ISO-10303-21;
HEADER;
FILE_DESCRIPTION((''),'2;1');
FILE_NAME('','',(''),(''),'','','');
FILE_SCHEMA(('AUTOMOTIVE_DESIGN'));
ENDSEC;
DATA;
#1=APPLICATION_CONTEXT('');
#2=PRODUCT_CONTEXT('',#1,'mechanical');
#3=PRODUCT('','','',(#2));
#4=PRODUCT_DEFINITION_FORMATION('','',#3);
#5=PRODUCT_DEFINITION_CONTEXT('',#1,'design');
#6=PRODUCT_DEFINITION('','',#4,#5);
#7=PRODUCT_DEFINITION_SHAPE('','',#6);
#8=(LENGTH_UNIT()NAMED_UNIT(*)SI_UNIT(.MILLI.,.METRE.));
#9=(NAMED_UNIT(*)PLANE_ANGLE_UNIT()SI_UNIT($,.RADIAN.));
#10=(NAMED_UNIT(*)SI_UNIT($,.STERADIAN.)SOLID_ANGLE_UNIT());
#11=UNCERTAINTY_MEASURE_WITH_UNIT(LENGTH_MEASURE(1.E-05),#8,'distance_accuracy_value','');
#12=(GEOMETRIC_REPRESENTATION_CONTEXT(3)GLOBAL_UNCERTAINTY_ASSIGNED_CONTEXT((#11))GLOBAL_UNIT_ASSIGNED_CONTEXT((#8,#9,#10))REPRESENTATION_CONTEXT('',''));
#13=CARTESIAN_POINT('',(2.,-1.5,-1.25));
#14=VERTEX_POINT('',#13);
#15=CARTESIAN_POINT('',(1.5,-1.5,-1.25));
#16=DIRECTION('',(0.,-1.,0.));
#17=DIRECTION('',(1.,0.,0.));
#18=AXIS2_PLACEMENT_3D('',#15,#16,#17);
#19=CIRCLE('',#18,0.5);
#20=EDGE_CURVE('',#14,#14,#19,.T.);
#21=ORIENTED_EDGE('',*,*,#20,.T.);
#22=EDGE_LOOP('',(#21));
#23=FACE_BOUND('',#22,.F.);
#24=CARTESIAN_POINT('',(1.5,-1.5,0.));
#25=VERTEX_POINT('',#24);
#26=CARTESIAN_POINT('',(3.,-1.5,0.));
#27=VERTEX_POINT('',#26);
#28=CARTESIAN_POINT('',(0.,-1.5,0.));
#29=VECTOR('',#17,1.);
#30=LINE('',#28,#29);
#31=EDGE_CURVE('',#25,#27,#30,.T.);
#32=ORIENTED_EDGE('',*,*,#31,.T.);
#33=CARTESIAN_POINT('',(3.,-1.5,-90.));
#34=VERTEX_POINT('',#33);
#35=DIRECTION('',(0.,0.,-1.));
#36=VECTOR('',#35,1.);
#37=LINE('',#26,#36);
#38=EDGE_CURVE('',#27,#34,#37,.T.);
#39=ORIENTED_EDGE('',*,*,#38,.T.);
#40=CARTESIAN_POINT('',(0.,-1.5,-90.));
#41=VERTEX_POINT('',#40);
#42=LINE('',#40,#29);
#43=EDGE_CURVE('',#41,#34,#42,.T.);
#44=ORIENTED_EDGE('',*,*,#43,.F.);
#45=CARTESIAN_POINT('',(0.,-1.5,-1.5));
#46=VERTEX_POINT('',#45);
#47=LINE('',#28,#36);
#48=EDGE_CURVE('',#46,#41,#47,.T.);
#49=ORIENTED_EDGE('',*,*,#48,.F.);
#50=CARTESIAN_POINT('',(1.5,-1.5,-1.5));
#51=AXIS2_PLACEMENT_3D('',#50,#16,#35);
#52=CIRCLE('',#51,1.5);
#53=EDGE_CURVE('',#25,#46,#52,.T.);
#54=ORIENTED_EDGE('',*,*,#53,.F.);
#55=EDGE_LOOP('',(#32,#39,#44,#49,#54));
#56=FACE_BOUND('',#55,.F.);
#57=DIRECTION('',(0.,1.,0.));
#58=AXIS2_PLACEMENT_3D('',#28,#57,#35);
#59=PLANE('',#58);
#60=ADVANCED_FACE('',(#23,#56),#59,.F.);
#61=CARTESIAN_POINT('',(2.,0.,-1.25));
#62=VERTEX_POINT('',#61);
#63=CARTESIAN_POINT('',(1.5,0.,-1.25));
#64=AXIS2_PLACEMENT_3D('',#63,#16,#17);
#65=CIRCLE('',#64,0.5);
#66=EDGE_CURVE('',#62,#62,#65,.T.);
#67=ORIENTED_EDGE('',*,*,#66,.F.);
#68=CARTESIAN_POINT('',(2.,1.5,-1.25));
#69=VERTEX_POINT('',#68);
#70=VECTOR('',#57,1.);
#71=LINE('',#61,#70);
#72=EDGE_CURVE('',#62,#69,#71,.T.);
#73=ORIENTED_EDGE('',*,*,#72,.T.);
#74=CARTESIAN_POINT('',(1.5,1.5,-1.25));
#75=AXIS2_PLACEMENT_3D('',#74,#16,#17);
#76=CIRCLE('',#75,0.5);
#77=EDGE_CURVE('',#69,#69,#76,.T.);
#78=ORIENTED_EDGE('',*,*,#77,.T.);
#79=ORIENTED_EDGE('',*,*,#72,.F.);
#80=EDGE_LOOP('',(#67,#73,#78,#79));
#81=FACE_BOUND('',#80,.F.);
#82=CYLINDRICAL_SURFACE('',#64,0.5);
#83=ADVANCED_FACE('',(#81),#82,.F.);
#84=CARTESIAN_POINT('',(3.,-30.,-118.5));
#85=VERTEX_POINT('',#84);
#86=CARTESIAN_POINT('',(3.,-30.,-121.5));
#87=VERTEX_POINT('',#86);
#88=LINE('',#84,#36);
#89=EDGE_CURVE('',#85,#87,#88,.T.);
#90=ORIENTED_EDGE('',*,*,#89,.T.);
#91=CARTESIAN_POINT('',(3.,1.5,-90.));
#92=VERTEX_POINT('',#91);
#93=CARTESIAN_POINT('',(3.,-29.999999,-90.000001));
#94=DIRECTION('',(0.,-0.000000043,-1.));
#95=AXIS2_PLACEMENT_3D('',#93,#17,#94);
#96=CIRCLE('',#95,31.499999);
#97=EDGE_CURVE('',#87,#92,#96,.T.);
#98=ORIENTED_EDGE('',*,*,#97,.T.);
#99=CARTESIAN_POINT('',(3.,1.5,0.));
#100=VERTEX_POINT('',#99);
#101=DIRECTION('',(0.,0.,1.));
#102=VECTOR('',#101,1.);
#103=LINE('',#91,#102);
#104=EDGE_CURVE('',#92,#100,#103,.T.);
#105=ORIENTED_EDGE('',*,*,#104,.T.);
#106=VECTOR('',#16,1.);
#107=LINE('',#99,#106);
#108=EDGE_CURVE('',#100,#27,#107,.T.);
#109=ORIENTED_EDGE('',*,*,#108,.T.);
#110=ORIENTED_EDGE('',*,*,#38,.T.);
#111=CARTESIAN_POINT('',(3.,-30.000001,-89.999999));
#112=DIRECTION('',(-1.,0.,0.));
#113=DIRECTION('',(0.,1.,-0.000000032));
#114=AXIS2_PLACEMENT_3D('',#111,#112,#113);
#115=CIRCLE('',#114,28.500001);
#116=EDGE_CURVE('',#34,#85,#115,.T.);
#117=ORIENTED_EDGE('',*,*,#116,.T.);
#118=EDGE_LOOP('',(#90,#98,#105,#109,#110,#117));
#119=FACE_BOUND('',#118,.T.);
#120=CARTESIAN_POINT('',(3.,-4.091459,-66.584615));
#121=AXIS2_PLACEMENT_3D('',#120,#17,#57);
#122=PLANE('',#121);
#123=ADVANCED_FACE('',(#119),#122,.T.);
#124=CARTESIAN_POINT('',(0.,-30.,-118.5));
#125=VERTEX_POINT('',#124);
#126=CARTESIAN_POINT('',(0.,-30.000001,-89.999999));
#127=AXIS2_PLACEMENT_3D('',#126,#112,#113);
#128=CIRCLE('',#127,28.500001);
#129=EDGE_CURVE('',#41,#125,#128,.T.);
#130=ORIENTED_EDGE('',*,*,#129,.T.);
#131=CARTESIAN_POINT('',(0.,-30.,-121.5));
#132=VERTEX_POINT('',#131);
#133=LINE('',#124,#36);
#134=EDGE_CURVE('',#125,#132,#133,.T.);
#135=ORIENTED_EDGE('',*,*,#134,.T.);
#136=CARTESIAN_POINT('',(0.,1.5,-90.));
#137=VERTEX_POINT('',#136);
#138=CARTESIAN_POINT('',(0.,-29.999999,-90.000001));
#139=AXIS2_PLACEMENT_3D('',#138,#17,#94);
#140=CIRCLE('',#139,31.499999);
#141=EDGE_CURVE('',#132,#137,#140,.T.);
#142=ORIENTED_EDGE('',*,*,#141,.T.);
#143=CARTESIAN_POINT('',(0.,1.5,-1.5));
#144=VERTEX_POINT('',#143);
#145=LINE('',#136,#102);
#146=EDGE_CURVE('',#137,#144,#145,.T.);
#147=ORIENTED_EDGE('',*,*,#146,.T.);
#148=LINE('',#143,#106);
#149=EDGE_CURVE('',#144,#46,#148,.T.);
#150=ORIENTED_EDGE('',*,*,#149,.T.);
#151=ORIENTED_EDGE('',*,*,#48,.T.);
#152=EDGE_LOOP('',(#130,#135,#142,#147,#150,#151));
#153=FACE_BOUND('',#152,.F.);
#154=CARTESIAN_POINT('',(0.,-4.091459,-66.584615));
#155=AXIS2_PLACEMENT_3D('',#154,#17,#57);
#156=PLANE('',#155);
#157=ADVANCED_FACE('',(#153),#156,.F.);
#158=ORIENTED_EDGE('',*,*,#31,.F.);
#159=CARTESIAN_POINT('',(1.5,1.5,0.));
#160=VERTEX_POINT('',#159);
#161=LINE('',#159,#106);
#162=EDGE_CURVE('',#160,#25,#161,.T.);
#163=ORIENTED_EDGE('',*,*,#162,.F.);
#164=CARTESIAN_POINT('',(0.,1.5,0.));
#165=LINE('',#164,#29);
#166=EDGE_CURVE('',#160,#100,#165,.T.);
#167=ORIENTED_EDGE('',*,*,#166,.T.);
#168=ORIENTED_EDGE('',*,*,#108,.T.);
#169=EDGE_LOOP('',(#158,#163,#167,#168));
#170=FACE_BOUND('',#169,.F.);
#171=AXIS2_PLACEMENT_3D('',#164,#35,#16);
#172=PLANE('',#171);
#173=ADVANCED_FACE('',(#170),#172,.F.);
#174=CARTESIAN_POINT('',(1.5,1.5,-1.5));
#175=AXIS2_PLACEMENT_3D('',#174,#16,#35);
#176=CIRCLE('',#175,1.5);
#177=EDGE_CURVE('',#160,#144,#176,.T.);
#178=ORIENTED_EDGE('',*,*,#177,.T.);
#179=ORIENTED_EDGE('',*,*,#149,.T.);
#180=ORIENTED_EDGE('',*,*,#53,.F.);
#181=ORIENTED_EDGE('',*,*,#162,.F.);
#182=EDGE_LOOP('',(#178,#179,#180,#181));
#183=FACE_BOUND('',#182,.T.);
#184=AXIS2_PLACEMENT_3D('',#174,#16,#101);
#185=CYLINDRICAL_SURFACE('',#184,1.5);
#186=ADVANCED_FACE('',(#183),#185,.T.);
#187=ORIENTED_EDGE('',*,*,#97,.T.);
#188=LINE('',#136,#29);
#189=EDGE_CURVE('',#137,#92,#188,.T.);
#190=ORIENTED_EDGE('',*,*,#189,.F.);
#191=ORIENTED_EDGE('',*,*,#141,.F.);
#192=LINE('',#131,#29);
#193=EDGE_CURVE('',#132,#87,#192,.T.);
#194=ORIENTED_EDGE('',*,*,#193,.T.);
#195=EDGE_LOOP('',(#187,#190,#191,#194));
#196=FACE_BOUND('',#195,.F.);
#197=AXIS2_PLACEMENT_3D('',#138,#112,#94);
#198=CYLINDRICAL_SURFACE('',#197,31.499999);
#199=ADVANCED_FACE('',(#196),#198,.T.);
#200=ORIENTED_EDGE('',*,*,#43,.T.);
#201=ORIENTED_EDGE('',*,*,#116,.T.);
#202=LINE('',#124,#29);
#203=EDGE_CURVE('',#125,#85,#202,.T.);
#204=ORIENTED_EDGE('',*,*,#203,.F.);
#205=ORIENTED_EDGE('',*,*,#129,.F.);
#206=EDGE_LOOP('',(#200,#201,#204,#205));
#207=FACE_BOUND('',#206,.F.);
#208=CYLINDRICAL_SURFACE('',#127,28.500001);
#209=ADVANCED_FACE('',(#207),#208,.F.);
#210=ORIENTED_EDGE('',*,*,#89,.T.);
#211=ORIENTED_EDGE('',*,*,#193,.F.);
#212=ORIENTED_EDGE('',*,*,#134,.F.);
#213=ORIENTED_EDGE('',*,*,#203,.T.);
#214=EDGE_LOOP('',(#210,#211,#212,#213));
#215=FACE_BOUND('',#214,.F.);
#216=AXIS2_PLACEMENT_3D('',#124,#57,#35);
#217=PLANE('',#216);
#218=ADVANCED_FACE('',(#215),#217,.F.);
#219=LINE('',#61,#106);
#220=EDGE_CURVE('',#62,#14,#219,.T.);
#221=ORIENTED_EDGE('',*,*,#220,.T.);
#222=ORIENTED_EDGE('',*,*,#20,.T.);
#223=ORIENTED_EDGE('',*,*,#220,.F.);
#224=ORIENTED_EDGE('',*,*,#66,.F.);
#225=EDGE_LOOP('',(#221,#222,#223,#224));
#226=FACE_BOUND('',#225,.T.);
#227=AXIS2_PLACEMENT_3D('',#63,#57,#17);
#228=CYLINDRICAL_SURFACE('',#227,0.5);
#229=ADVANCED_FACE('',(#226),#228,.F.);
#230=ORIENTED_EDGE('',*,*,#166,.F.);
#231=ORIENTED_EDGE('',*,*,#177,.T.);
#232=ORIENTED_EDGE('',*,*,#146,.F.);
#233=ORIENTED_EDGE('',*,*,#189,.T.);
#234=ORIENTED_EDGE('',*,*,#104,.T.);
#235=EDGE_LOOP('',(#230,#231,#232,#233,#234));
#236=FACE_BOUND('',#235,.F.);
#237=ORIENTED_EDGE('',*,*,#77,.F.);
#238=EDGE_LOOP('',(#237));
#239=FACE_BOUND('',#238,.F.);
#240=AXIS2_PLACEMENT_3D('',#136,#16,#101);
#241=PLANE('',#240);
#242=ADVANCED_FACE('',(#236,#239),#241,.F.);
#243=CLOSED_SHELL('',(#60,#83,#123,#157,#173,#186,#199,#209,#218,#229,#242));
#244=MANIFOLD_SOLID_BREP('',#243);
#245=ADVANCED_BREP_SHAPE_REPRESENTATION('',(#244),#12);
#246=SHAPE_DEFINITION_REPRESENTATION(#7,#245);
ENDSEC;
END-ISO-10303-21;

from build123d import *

# Parameters (mm, degrees)
F2_DEPTH = 3
F1_R     = 0.5
F3_DEPTH = 1.5
F4_DEPTH = 1.5
F5_R     = 1.5


with BuildPart() as f2:
    # F0 (on Right) → F2 (new body)
    with BuildSketch(Plane.YZ):
        with BuildLine():
            Line((1.5, 0), (-1.5, 0))
            Line((-1.5, 0), (-1.5, -90))
            ThreePointArc((-1.5, -90), (-9.847457, -110.152543), (-30, -118.5))
            Line((-30, -118.5), (-30, -121.5))
            ThreePointArc((-30, -121.5), (-7.726136, -112.273864), (1.5, -90))
            Line((1.5, -90), (1.5, 0))
        make_face()
    extrude(amount=F2_DEPTH)

    # F1 (on Front) → F3 (cut)
    with BuildSketch(Plane.XZ):
        with Locations((1.5, -1.25)):
            Circle(F1_R)
    extrude(amount=-F3_DEPTH, mode=Mode.SUBTRACT)

    # F1 (on Front) → F4 (cut)
    with BuildSketch(Plane.XZ):
        with Locations((1.5, -1.25)):
            Circle(F1_R)
    extrude(amount=F4_DEPTH, mode=Mode.SUBTRACT)

    # F5
    f5_edges = [f2.edges().sort_by_distance(p)[0] for p in [
        (0, 0, 0),
    ]]
    fillet(f5_edges, radius=F5_R)


solid = f2.part
